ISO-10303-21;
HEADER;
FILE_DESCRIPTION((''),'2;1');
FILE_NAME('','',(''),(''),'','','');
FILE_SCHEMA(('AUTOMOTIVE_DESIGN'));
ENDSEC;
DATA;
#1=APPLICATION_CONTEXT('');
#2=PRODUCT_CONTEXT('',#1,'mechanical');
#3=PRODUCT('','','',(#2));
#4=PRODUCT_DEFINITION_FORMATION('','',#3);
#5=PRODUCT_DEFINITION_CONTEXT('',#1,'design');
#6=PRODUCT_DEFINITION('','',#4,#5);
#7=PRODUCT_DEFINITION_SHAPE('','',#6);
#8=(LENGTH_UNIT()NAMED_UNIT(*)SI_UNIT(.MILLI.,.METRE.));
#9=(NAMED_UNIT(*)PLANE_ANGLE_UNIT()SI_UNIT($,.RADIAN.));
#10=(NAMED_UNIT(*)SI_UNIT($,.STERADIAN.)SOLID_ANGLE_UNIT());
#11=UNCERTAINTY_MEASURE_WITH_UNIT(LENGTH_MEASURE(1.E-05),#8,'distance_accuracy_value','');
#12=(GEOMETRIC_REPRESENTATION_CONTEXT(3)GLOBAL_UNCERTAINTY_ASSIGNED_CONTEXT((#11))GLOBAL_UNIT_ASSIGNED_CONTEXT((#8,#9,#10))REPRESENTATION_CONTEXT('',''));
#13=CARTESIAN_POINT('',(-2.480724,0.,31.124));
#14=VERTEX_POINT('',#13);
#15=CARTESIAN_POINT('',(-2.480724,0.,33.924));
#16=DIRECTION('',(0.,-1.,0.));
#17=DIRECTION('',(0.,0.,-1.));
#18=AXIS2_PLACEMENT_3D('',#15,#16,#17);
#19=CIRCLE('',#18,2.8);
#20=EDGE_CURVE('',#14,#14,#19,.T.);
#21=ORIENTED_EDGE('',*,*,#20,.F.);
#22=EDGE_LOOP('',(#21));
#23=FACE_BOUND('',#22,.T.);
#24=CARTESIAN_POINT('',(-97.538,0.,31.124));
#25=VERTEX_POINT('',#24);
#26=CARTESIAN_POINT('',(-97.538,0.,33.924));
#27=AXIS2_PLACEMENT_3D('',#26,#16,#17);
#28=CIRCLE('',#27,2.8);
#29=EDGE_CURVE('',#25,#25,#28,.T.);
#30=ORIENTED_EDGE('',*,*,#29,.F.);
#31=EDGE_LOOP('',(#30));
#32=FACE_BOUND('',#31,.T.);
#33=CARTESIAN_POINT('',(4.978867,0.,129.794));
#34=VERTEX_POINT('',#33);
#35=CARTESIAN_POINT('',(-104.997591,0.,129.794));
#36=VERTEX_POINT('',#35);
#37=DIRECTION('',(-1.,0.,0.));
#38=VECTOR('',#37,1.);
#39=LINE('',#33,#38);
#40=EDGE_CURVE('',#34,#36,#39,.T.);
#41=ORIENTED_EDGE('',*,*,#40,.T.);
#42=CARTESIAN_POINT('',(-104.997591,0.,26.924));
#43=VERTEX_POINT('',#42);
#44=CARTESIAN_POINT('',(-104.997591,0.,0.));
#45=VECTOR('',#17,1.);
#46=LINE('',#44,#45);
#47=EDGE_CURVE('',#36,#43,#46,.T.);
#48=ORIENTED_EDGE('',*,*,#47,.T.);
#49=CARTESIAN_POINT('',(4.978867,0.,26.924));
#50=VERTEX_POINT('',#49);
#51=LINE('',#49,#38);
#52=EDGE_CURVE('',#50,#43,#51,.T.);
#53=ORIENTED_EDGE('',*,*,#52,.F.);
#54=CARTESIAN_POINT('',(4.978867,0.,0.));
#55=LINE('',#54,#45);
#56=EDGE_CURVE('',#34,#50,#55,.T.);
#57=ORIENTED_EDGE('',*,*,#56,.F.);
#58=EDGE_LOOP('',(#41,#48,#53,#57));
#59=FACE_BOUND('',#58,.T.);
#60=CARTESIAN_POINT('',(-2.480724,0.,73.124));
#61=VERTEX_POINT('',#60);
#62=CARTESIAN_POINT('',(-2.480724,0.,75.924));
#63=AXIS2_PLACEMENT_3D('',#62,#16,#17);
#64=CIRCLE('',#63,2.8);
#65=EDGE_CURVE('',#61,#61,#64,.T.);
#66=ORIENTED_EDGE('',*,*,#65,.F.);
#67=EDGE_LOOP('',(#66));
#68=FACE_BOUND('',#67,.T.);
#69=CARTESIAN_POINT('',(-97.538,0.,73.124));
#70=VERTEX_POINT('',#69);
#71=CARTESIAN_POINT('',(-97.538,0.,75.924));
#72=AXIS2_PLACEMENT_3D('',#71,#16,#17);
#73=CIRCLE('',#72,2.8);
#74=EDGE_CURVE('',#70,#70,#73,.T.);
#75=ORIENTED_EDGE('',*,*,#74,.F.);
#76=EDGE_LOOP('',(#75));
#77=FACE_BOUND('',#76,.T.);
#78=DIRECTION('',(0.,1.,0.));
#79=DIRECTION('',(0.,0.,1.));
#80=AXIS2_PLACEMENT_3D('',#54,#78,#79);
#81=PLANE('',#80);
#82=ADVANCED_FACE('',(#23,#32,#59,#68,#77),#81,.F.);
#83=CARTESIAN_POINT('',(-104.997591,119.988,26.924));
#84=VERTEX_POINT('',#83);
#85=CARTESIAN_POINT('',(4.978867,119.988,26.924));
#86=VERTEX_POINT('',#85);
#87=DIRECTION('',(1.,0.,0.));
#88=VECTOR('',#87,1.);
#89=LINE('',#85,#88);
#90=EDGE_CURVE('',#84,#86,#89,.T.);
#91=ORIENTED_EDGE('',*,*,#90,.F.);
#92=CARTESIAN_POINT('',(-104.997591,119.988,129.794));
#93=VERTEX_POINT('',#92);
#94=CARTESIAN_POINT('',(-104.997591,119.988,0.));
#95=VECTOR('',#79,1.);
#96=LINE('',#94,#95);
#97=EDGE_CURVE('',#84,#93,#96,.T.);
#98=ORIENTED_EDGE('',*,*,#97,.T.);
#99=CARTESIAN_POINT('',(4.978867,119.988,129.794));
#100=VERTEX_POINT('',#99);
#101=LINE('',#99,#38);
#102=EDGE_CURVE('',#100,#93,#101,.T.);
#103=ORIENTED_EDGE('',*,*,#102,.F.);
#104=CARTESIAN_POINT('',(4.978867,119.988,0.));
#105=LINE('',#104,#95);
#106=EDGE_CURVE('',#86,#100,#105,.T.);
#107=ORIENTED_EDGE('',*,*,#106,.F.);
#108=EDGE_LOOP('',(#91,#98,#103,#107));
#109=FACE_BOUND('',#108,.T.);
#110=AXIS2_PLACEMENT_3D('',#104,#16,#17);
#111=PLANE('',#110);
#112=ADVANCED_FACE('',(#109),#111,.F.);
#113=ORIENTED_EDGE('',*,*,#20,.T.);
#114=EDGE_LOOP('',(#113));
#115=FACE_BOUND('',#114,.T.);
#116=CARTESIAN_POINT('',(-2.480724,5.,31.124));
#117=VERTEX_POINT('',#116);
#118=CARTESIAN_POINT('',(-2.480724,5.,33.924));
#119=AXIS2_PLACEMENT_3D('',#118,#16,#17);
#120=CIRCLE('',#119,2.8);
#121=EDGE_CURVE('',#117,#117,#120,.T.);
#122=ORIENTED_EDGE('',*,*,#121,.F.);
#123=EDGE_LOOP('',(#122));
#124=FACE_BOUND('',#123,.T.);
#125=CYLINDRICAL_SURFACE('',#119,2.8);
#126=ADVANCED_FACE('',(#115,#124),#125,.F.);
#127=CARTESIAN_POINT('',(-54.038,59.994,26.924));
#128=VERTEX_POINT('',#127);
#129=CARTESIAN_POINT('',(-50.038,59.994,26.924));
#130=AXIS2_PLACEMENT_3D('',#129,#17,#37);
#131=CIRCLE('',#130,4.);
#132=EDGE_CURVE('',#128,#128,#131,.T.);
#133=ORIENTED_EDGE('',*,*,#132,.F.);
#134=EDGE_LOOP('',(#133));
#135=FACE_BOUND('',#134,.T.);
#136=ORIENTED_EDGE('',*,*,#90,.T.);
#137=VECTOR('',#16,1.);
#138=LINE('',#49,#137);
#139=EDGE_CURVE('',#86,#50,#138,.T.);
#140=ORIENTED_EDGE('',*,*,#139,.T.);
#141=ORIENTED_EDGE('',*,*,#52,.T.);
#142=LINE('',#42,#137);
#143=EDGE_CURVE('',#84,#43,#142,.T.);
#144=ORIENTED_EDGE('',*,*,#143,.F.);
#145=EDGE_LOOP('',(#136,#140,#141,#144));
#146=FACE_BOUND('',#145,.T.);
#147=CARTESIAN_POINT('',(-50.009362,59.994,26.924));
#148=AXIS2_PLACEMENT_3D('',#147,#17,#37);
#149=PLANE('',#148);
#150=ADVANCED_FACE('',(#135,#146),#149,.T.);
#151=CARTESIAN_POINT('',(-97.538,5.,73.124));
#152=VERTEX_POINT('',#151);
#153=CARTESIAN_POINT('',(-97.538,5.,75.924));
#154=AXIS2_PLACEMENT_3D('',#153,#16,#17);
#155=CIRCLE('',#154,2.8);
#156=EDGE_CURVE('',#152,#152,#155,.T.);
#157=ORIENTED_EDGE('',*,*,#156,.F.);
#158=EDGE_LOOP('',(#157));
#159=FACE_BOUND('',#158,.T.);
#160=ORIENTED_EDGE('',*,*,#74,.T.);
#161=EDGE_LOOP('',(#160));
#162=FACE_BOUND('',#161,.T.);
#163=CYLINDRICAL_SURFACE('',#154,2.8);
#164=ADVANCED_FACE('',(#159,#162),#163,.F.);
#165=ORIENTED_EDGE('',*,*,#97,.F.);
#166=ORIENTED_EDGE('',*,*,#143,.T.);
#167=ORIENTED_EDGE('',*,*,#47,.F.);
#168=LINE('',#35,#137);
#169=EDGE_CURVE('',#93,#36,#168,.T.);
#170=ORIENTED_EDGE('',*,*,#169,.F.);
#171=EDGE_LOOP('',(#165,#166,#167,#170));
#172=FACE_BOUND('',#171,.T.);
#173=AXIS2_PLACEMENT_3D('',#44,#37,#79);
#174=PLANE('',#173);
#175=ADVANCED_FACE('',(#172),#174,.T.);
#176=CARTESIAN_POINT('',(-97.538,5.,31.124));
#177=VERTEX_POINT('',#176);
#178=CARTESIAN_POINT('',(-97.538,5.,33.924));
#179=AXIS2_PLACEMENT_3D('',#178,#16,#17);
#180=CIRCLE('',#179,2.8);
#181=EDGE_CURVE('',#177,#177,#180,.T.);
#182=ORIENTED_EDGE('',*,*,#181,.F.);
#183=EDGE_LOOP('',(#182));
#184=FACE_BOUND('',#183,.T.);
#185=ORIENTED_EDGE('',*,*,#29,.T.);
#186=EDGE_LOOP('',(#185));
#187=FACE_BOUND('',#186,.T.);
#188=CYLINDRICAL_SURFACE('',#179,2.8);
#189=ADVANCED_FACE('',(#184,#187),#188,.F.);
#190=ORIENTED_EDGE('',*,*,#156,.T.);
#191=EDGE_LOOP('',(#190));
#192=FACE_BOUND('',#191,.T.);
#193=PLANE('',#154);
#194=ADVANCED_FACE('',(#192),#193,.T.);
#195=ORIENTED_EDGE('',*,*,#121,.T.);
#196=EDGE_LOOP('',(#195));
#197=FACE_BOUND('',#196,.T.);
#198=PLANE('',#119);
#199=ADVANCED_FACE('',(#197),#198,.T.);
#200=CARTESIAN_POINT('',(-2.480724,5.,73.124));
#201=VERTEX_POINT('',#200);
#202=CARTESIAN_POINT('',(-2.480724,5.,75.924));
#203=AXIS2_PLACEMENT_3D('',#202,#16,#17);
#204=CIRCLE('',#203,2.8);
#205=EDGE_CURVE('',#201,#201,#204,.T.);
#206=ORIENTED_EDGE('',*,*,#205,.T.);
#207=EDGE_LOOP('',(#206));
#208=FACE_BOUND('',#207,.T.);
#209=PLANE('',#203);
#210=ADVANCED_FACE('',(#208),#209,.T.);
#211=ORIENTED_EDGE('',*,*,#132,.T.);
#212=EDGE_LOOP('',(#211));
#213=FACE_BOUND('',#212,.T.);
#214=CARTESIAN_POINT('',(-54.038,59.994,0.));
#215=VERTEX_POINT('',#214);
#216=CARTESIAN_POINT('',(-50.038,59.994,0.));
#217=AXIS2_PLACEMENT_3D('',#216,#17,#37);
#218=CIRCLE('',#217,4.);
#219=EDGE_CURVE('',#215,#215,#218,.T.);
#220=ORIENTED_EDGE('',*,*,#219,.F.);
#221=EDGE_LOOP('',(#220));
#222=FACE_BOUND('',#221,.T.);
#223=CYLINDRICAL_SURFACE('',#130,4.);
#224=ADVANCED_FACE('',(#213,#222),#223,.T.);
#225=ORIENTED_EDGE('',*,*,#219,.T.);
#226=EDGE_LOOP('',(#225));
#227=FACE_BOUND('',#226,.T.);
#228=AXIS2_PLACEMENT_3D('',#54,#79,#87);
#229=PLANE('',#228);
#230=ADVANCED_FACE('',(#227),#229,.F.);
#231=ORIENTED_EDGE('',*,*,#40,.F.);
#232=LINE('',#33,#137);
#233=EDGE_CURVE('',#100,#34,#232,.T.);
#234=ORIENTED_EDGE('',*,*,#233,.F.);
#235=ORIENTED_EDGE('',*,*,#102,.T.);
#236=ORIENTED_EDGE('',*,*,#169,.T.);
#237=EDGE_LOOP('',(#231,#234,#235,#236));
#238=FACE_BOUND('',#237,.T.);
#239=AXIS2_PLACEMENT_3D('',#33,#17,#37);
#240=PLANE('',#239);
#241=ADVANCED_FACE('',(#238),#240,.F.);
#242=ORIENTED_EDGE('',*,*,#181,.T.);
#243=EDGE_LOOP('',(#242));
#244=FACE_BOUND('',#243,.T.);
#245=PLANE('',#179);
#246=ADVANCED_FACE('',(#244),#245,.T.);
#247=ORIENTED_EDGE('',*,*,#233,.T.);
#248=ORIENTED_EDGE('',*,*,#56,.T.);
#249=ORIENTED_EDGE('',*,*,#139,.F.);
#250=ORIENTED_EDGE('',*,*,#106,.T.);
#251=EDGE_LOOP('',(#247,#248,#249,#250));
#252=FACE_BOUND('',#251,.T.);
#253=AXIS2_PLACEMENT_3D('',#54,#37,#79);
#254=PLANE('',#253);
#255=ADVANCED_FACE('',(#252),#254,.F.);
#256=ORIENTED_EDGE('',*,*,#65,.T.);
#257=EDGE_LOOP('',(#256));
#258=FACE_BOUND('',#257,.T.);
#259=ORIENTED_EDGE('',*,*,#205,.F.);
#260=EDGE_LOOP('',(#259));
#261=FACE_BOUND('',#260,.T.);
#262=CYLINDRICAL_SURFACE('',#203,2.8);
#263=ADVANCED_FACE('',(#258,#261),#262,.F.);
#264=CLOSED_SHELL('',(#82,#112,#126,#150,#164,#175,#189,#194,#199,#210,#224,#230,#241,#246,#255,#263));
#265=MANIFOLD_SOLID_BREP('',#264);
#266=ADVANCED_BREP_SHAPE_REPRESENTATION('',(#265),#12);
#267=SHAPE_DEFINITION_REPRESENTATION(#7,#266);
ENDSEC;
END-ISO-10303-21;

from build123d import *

# Parameters (mm, degrees)
BOSS_EXTRUDE1_DEPTH      = 4.978866735
BOSS_EXTRUDE1_DEPTH_BACK = 104.997590598
SKETCH1_W                = 119.988
SKETCH1_H                = 129.794
SKETCH3_OUTSIDE_W        = 153.613
SKETCH3_OUTSIDE_H        = 163.624
SKETCH3_OUTSIDE_R        = 4
CUT_EXTRUDE1_DEPTH       = 26.924
SKETCH4_R                = 2.8
CUT_EXTRUDE2_DEPTH       = 5


with BuildPart() as part:
    # Sketch1 → Boss-Extrude1 (new, two sides: drawn at the far end of the back side and taken through both)
    with BuildSketch(Plane.YZ.offset(-BOSS_EXTRUDE1_DEPTH_BACK)):
        with Locations((59.994, 64.897)):
            Rectangle(SKETCH1_W, SKETCH1_H)
    extrude(amount=BOSS_EXTRUDE1_DEPTH + BOSS_EXTRUDE1_DEPTH_BACK)

    # Sketch3 outside → Cut-Extrude1 (cut)
    with BuildSketch(Plane(origin=(0, 0, 0), x_dir=(1, 0, 0), z_dir=(0, 0, -1))):
        with Locations((-50.0095, -59.994)):
            Rectangle(SKETCH3_OUTSIDE_W, SKETCH3_OUTSIDE_H)
        with Locations(Location((-50.038, -59.994, 0), (0, 0, 180))):
            Circle(SKETCH3_OUTSIDE_R, mode=Mode.SUBTRACT)
    extrude(amount=-CUT_EXTRUDE1_DEPTH, mode=Mode.SUBTRACT)

    # Sketch4 → Cut-Extrude2 (cut)
    with BuildSketch(Plane.XZ):
        with Locations(Location((-97.538, 33.924, 0), (0, 0, 270))):
            Circle(SKETCH4_R)
        with Locations(Location((-97.538, 75.924, 0), (0, 0, 270))):
            Circle(SKETCH4_R)
        with Locations(Location((-2.480723862, 75.924, 0), (0, 0, 270))):
            Circle(SKETCH4_R)
        with Locations(Location((-2.480723862, 33.924, 0), (0, 0, 270))):
            Circle(SKETCH4_R)
    extrude(amount=-CUT_EXTRUDE2_DEPTH, mode=Mode.SUBTRACT)


solid = part.part
